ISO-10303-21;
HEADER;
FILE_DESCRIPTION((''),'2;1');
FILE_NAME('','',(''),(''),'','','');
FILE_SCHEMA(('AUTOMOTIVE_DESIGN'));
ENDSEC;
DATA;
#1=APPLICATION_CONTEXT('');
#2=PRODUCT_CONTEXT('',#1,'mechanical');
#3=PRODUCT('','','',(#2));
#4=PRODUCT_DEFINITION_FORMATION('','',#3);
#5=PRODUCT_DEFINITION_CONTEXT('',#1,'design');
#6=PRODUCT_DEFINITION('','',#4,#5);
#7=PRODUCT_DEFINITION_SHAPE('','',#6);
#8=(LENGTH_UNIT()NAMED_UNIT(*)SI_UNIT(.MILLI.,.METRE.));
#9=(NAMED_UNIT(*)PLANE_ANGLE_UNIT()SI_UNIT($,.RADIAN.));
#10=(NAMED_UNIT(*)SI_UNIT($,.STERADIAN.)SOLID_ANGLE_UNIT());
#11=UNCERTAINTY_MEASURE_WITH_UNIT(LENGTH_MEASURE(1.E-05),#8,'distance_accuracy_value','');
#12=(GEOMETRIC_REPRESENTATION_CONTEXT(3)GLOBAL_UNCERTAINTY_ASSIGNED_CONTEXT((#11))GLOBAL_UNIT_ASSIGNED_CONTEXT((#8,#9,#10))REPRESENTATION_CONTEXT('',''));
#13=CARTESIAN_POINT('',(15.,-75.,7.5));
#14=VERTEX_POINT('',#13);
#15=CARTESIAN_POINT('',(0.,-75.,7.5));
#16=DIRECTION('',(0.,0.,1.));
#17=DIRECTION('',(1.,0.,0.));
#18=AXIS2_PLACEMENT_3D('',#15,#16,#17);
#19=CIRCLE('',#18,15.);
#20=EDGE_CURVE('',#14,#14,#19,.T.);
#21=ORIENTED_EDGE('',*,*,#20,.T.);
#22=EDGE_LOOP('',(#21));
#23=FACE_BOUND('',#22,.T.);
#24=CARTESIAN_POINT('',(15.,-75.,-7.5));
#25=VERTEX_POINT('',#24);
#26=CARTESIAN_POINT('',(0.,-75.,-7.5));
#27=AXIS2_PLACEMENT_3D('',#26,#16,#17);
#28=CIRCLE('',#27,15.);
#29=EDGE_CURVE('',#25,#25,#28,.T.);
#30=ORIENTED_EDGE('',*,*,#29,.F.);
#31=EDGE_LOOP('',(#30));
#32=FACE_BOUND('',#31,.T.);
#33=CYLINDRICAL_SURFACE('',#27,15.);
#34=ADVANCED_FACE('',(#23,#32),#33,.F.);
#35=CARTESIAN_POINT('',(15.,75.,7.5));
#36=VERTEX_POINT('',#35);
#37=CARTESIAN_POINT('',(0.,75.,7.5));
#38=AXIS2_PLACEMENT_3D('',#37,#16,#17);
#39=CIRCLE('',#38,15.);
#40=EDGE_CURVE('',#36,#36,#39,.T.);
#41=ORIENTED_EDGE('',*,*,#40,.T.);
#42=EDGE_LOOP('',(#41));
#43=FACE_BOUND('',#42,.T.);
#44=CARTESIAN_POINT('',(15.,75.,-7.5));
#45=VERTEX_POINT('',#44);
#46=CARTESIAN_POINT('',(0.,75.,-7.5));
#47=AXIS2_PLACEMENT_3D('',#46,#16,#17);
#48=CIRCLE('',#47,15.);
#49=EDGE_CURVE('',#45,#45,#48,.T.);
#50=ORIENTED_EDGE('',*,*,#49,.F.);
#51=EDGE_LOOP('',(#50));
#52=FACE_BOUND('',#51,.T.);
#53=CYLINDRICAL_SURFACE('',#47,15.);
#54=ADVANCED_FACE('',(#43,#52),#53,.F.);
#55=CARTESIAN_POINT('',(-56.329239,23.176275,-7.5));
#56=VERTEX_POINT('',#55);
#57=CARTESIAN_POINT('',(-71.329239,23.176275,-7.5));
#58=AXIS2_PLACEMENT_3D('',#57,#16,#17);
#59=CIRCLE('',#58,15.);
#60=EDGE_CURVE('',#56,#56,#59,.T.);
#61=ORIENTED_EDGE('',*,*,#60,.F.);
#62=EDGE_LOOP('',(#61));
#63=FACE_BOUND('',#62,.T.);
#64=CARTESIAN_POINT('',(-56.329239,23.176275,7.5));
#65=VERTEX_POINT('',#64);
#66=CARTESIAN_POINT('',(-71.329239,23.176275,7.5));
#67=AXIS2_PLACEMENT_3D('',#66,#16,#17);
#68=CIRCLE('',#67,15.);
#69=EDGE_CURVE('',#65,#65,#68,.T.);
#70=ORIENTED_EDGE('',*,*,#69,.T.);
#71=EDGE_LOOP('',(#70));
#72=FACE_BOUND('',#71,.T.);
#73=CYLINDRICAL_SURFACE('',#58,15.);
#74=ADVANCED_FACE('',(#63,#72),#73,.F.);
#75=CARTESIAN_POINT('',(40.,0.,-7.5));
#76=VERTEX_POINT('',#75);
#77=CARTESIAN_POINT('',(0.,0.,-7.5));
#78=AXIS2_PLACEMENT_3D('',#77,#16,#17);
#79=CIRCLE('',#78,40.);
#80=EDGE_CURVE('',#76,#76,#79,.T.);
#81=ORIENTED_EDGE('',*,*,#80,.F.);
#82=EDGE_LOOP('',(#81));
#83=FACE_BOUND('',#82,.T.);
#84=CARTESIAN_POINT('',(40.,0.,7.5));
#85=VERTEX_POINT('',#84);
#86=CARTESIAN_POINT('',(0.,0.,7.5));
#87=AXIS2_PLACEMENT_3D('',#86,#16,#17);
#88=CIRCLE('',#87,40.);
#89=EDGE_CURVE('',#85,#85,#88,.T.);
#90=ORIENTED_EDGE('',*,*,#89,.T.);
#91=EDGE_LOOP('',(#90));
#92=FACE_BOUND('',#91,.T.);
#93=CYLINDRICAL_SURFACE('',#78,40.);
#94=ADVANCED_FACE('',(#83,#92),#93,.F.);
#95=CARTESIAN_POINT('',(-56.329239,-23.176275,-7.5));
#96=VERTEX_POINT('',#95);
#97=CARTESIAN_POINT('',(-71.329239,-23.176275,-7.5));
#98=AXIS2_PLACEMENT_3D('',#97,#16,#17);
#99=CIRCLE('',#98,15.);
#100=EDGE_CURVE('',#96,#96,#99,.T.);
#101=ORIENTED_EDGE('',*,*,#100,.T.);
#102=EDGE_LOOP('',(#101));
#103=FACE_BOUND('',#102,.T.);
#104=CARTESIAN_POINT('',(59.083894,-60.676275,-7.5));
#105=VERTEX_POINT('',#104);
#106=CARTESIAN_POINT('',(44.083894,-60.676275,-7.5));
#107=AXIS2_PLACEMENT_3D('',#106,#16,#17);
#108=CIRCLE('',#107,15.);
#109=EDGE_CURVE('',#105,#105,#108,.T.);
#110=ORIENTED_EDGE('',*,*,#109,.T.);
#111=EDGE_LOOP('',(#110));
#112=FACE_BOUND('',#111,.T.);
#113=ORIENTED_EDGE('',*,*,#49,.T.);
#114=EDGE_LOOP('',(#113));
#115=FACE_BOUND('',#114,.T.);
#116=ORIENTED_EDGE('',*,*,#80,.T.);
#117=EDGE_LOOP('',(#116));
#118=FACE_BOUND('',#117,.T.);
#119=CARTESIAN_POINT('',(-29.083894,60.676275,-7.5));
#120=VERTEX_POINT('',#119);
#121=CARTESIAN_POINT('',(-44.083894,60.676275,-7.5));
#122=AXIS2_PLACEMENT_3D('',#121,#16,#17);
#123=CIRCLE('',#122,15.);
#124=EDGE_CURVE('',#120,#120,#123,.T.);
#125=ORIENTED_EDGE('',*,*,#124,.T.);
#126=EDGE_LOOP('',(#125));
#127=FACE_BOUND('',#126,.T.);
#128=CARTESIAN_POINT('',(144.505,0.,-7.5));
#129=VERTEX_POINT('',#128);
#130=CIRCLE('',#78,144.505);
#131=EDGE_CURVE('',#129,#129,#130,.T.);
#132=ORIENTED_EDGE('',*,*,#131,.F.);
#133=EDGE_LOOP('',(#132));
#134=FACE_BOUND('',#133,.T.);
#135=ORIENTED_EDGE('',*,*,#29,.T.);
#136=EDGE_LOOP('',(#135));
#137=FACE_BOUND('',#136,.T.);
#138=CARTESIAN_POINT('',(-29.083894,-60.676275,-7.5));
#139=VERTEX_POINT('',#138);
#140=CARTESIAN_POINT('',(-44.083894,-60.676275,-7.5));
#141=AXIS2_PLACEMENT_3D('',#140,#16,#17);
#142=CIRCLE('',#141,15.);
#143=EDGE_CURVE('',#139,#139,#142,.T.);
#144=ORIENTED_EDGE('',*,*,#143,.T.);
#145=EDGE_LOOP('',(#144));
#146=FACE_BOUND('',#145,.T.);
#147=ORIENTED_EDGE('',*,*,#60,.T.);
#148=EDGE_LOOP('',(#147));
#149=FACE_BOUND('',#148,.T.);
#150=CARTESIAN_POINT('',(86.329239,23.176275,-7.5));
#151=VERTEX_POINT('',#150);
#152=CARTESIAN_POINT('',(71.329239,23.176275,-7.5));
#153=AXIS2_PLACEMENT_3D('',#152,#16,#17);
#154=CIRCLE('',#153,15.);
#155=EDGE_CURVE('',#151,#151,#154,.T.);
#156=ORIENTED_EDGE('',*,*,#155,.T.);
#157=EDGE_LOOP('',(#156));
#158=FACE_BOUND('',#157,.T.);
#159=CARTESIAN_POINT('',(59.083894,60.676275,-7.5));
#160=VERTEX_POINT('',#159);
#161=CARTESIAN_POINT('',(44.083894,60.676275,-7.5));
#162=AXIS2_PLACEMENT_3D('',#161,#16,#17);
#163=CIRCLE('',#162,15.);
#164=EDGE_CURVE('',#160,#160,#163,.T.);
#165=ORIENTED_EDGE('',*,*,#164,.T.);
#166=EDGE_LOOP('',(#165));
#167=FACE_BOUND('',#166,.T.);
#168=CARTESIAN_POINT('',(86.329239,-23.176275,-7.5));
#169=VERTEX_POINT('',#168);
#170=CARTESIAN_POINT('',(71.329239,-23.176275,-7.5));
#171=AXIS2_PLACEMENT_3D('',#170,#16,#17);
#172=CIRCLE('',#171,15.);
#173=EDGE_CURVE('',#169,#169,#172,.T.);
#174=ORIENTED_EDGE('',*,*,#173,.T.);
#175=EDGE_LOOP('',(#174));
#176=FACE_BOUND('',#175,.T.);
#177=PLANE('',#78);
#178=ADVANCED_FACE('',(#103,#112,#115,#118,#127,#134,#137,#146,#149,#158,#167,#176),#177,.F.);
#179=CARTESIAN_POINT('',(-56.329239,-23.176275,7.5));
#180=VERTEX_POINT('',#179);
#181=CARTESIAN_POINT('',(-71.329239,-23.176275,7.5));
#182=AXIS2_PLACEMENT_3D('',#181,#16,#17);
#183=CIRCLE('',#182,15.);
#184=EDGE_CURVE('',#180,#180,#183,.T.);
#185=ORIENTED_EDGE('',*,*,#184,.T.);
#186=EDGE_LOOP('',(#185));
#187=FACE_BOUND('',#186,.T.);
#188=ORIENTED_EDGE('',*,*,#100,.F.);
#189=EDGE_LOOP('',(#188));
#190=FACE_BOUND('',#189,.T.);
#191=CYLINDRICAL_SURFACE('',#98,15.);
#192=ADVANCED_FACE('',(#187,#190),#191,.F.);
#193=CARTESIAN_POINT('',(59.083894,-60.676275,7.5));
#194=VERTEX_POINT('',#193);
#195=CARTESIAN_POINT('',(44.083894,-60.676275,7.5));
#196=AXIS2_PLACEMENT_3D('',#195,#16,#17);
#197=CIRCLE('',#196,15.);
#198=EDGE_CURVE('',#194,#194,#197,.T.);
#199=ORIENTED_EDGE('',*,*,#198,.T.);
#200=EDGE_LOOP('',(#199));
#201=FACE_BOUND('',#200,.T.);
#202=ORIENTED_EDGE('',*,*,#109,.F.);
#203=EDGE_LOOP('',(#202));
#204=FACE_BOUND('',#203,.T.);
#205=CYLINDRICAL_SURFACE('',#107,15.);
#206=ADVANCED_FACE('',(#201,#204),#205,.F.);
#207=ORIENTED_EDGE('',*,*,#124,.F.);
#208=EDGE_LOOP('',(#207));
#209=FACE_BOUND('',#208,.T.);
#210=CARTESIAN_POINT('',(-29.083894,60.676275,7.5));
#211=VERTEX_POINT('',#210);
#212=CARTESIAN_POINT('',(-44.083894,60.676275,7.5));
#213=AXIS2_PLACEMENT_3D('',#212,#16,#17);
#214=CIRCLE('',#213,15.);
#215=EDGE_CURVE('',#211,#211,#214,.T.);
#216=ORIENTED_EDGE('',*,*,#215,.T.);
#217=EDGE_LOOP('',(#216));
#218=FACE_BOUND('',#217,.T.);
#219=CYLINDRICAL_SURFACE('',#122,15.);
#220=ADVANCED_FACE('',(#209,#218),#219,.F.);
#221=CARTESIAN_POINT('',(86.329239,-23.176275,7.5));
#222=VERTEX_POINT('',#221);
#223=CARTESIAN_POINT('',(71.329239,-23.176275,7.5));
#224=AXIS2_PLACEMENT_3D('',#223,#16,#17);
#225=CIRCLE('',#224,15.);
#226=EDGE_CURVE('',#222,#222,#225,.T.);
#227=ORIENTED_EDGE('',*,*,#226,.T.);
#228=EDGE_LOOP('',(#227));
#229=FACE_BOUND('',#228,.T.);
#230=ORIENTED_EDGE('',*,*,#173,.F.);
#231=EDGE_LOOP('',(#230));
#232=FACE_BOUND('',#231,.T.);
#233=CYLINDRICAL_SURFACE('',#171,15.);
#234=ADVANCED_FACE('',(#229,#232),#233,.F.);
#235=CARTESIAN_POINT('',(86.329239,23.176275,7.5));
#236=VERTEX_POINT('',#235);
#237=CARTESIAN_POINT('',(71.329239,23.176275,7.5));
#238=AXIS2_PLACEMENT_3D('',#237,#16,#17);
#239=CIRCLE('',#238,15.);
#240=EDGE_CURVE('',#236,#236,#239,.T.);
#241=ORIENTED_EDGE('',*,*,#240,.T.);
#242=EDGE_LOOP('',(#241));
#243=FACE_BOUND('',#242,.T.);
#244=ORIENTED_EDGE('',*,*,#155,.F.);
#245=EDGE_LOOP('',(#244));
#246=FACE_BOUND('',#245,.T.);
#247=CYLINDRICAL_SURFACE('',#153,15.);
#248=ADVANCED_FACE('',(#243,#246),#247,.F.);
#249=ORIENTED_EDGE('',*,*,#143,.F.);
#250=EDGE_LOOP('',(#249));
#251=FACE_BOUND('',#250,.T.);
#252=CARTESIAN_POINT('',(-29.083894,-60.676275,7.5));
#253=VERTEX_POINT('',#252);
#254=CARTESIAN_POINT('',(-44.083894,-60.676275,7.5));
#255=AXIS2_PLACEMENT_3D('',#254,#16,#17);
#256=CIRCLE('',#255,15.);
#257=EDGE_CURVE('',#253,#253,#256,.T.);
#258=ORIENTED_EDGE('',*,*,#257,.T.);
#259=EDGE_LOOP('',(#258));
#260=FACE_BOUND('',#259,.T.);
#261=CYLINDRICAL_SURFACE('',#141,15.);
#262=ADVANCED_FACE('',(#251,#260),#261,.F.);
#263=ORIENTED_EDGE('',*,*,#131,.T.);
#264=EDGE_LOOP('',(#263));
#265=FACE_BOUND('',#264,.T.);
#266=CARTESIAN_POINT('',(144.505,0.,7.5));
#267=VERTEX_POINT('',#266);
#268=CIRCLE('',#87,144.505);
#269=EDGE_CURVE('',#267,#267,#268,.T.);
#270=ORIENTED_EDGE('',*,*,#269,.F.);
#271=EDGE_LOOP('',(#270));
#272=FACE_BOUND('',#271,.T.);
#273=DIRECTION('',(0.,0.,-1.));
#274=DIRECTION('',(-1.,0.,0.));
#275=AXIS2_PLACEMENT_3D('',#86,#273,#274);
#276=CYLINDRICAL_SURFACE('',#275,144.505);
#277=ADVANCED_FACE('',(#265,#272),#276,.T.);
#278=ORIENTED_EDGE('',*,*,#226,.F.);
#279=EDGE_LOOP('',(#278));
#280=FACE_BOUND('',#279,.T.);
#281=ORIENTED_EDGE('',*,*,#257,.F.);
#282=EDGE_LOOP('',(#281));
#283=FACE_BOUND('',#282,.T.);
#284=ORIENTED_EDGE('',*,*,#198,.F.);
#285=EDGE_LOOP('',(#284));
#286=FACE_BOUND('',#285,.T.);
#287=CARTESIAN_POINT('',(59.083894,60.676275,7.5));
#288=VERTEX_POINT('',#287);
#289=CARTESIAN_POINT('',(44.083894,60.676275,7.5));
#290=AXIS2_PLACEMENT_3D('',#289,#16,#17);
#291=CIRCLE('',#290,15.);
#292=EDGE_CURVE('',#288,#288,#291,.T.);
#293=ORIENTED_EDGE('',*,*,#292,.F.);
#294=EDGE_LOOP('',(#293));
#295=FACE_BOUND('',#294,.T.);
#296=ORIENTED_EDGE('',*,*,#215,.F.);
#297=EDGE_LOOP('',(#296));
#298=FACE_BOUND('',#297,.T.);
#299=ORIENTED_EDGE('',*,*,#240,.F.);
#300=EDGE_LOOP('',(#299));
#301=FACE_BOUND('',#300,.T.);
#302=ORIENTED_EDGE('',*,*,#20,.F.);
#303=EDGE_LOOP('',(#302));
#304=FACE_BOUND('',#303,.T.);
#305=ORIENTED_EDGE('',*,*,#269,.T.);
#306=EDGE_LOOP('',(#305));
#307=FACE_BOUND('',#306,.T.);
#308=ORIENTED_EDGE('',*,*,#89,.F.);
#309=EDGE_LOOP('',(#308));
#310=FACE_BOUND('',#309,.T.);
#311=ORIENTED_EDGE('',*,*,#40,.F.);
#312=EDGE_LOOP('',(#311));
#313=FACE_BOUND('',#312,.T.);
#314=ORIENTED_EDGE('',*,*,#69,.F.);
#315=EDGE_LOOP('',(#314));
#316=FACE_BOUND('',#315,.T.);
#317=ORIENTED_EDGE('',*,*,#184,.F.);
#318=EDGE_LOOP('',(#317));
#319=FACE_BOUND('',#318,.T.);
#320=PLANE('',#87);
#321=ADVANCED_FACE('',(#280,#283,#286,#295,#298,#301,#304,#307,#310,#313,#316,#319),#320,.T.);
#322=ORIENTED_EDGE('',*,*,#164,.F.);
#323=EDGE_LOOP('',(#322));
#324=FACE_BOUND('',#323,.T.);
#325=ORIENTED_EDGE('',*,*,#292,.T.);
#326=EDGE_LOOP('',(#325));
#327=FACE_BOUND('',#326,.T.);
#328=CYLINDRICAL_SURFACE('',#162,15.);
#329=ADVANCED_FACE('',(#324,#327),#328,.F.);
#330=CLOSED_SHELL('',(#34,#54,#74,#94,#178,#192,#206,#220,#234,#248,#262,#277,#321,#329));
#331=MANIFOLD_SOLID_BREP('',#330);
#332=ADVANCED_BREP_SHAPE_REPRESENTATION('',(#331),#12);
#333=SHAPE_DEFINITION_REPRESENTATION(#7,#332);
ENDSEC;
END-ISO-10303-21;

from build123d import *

# Parameters (mm, degrees)
SKETCH2_R           = 144.505
BOSS_EXTRUDE1_DEPTH = 7.5
SKETCH3_R           = 40
SKETCH3_R_2         = 15
CUT_EXTRUDE1_DEPTH  = 16


with BuildPart() as part:
    # Sketch2 → Boss-Extrude1 (new body, symmetric)
    with BuildSketch(Plane.XY):
        Circle(SKETCH2_R)
    extrude(amount=BOSS_EXTRUDE1_DEPTH, both=True)

    # Sketch3 → Cut-Extrude1 (cut, through all)
    with BuildSketch(Plane.XY.offset(7.5)):
        Circle(SKETCH3_R)
        with Locations((0, 75)):
            Circle(SKETCH3_R_2)
        with Locations((44.083893922, 60.676274578)):
            Circle(SKETCH3_R_2)
        with Locations((71.329238722, 23.176274578)):
            Circle(SKETCH3_R_2)
        with Locations((71.329238722, -23.176274578)):
            Circle(SKETCH3_R_2)
        with Locations((44.083893922, -60.676274578)):
            Circle(SKETCH3_R_2)
        with Locations((0, -75)):
            Circle(SKETCH3_R_2)
        with Locations((-44.083893922, -60.676274578)):
            Circle(SKETCH3_R_2)
        with Locations((-71.329238722, -23.176274578)):
            Circle(SKETCH3_R_2)
        with Locations((-71.329238722, 23.176274578)):
            Circle(SKETCH3_R_2)
        with Locations((-44.083893922, 60.676274578)):
            Circle(SKETCH3_R_2)
    extrude(amount=-CUT_EXTRUDE1_DEPTH, mode=Mode.SUBTRACT)


solid = part.part
